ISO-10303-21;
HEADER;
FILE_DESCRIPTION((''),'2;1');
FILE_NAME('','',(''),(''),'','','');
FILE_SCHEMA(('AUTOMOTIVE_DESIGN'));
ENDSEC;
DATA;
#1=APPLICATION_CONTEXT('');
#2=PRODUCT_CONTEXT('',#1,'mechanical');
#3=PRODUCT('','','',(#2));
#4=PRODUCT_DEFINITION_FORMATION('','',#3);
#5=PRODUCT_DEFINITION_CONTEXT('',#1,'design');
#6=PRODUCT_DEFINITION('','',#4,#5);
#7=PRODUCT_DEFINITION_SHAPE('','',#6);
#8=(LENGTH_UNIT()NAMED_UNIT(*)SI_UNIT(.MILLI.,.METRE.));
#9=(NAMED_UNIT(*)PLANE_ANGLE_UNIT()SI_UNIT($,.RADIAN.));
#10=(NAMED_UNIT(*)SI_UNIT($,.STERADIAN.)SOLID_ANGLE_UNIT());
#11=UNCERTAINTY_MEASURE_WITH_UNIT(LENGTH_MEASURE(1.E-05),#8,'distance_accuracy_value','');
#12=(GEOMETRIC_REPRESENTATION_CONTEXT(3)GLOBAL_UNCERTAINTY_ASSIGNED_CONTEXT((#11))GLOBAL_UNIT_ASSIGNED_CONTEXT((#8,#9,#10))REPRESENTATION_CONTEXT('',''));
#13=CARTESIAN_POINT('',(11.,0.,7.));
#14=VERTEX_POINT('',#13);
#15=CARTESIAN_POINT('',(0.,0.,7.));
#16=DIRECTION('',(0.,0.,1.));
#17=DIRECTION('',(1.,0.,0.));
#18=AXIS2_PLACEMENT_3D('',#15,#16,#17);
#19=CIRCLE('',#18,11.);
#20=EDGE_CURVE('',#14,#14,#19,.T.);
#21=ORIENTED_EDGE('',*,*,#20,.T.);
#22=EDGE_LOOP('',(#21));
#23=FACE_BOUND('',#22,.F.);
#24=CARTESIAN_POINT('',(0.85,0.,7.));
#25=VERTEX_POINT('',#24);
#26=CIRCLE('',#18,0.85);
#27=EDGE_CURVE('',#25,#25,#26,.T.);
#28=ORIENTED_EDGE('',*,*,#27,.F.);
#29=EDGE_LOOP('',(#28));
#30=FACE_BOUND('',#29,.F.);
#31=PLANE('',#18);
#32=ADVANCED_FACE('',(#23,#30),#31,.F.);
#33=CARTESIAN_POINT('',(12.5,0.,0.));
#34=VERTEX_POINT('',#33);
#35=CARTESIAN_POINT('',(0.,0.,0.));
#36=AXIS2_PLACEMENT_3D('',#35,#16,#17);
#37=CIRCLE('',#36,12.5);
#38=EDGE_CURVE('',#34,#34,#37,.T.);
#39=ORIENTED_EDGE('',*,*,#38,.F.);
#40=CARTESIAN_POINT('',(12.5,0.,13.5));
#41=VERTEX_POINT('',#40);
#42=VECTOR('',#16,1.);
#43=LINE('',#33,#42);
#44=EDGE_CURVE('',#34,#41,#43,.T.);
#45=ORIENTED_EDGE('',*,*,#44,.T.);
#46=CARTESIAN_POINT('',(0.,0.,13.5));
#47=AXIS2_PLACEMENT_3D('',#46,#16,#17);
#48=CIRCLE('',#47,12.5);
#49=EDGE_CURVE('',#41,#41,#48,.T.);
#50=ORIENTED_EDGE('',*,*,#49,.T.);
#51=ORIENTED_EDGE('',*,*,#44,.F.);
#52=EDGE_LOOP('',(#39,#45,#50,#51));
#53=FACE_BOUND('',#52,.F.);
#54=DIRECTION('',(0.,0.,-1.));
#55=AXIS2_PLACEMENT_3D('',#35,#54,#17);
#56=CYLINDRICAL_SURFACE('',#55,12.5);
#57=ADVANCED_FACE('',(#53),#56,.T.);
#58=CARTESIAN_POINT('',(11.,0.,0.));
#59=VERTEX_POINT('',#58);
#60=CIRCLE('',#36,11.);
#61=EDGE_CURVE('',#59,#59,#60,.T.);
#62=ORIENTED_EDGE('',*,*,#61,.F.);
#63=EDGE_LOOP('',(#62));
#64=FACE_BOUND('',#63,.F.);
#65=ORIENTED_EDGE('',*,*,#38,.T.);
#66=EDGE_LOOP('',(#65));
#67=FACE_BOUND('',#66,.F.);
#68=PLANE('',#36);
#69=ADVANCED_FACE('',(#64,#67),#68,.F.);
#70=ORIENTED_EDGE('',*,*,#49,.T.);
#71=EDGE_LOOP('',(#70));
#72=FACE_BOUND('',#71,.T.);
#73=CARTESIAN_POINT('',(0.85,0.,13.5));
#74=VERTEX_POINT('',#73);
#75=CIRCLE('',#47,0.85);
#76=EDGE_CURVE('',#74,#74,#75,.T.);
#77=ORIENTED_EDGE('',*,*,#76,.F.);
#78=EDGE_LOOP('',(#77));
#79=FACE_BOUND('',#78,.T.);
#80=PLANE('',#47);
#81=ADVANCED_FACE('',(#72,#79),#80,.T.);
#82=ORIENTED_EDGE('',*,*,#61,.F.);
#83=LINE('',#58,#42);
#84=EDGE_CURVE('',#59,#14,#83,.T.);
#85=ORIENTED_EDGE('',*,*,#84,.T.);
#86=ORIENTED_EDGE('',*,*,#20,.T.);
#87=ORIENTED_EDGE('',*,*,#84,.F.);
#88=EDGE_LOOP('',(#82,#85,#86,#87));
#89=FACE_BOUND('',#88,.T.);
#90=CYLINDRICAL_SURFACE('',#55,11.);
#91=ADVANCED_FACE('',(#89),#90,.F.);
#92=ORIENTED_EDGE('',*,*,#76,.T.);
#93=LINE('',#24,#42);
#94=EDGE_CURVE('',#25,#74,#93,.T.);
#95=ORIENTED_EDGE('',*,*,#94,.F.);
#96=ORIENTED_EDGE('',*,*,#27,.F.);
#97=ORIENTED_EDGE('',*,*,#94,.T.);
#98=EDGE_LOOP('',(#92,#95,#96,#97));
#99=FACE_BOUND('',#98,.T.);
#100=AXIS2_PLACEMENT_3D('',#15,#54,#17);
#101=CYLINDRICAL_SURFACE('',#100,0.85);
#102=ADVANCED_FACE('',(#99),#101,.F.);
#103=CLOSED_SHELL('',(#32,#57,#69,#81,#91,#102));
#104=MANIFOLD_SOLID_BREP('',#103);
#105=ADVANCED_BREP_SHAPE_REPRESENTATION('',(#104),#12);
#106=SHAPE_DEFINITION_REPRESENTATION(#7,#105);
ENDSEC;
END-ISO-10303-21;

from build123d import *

# Parameters (mm, degrees)
F0_R     = 12.5
F0_R_2   = 11
F1_DEPTH = 13.5
F2_START = 7
F0_R_3   = 0.85
F2_DEPTH = 6.5


with BuildPart() as f1:
    # F0 (on Top) → F1 (new body)
    with BuildSketch(Plane.XY):
        Circle(F0_R)
        Circle(F0_R_2, mode=Mode.SUBTRACT)
    extrude(amount=F1_DEPTH)

    # F0 (on Top) → F2 (join)
    with BuildSketch(Plane.XY.offset(F2_START)):
        Circle(F0_R_2)
        Circle(F0_R_3, mode=Mode.SUBTRACT)
    extrude(amount=F2_DEPTH)


solid = f1.part
